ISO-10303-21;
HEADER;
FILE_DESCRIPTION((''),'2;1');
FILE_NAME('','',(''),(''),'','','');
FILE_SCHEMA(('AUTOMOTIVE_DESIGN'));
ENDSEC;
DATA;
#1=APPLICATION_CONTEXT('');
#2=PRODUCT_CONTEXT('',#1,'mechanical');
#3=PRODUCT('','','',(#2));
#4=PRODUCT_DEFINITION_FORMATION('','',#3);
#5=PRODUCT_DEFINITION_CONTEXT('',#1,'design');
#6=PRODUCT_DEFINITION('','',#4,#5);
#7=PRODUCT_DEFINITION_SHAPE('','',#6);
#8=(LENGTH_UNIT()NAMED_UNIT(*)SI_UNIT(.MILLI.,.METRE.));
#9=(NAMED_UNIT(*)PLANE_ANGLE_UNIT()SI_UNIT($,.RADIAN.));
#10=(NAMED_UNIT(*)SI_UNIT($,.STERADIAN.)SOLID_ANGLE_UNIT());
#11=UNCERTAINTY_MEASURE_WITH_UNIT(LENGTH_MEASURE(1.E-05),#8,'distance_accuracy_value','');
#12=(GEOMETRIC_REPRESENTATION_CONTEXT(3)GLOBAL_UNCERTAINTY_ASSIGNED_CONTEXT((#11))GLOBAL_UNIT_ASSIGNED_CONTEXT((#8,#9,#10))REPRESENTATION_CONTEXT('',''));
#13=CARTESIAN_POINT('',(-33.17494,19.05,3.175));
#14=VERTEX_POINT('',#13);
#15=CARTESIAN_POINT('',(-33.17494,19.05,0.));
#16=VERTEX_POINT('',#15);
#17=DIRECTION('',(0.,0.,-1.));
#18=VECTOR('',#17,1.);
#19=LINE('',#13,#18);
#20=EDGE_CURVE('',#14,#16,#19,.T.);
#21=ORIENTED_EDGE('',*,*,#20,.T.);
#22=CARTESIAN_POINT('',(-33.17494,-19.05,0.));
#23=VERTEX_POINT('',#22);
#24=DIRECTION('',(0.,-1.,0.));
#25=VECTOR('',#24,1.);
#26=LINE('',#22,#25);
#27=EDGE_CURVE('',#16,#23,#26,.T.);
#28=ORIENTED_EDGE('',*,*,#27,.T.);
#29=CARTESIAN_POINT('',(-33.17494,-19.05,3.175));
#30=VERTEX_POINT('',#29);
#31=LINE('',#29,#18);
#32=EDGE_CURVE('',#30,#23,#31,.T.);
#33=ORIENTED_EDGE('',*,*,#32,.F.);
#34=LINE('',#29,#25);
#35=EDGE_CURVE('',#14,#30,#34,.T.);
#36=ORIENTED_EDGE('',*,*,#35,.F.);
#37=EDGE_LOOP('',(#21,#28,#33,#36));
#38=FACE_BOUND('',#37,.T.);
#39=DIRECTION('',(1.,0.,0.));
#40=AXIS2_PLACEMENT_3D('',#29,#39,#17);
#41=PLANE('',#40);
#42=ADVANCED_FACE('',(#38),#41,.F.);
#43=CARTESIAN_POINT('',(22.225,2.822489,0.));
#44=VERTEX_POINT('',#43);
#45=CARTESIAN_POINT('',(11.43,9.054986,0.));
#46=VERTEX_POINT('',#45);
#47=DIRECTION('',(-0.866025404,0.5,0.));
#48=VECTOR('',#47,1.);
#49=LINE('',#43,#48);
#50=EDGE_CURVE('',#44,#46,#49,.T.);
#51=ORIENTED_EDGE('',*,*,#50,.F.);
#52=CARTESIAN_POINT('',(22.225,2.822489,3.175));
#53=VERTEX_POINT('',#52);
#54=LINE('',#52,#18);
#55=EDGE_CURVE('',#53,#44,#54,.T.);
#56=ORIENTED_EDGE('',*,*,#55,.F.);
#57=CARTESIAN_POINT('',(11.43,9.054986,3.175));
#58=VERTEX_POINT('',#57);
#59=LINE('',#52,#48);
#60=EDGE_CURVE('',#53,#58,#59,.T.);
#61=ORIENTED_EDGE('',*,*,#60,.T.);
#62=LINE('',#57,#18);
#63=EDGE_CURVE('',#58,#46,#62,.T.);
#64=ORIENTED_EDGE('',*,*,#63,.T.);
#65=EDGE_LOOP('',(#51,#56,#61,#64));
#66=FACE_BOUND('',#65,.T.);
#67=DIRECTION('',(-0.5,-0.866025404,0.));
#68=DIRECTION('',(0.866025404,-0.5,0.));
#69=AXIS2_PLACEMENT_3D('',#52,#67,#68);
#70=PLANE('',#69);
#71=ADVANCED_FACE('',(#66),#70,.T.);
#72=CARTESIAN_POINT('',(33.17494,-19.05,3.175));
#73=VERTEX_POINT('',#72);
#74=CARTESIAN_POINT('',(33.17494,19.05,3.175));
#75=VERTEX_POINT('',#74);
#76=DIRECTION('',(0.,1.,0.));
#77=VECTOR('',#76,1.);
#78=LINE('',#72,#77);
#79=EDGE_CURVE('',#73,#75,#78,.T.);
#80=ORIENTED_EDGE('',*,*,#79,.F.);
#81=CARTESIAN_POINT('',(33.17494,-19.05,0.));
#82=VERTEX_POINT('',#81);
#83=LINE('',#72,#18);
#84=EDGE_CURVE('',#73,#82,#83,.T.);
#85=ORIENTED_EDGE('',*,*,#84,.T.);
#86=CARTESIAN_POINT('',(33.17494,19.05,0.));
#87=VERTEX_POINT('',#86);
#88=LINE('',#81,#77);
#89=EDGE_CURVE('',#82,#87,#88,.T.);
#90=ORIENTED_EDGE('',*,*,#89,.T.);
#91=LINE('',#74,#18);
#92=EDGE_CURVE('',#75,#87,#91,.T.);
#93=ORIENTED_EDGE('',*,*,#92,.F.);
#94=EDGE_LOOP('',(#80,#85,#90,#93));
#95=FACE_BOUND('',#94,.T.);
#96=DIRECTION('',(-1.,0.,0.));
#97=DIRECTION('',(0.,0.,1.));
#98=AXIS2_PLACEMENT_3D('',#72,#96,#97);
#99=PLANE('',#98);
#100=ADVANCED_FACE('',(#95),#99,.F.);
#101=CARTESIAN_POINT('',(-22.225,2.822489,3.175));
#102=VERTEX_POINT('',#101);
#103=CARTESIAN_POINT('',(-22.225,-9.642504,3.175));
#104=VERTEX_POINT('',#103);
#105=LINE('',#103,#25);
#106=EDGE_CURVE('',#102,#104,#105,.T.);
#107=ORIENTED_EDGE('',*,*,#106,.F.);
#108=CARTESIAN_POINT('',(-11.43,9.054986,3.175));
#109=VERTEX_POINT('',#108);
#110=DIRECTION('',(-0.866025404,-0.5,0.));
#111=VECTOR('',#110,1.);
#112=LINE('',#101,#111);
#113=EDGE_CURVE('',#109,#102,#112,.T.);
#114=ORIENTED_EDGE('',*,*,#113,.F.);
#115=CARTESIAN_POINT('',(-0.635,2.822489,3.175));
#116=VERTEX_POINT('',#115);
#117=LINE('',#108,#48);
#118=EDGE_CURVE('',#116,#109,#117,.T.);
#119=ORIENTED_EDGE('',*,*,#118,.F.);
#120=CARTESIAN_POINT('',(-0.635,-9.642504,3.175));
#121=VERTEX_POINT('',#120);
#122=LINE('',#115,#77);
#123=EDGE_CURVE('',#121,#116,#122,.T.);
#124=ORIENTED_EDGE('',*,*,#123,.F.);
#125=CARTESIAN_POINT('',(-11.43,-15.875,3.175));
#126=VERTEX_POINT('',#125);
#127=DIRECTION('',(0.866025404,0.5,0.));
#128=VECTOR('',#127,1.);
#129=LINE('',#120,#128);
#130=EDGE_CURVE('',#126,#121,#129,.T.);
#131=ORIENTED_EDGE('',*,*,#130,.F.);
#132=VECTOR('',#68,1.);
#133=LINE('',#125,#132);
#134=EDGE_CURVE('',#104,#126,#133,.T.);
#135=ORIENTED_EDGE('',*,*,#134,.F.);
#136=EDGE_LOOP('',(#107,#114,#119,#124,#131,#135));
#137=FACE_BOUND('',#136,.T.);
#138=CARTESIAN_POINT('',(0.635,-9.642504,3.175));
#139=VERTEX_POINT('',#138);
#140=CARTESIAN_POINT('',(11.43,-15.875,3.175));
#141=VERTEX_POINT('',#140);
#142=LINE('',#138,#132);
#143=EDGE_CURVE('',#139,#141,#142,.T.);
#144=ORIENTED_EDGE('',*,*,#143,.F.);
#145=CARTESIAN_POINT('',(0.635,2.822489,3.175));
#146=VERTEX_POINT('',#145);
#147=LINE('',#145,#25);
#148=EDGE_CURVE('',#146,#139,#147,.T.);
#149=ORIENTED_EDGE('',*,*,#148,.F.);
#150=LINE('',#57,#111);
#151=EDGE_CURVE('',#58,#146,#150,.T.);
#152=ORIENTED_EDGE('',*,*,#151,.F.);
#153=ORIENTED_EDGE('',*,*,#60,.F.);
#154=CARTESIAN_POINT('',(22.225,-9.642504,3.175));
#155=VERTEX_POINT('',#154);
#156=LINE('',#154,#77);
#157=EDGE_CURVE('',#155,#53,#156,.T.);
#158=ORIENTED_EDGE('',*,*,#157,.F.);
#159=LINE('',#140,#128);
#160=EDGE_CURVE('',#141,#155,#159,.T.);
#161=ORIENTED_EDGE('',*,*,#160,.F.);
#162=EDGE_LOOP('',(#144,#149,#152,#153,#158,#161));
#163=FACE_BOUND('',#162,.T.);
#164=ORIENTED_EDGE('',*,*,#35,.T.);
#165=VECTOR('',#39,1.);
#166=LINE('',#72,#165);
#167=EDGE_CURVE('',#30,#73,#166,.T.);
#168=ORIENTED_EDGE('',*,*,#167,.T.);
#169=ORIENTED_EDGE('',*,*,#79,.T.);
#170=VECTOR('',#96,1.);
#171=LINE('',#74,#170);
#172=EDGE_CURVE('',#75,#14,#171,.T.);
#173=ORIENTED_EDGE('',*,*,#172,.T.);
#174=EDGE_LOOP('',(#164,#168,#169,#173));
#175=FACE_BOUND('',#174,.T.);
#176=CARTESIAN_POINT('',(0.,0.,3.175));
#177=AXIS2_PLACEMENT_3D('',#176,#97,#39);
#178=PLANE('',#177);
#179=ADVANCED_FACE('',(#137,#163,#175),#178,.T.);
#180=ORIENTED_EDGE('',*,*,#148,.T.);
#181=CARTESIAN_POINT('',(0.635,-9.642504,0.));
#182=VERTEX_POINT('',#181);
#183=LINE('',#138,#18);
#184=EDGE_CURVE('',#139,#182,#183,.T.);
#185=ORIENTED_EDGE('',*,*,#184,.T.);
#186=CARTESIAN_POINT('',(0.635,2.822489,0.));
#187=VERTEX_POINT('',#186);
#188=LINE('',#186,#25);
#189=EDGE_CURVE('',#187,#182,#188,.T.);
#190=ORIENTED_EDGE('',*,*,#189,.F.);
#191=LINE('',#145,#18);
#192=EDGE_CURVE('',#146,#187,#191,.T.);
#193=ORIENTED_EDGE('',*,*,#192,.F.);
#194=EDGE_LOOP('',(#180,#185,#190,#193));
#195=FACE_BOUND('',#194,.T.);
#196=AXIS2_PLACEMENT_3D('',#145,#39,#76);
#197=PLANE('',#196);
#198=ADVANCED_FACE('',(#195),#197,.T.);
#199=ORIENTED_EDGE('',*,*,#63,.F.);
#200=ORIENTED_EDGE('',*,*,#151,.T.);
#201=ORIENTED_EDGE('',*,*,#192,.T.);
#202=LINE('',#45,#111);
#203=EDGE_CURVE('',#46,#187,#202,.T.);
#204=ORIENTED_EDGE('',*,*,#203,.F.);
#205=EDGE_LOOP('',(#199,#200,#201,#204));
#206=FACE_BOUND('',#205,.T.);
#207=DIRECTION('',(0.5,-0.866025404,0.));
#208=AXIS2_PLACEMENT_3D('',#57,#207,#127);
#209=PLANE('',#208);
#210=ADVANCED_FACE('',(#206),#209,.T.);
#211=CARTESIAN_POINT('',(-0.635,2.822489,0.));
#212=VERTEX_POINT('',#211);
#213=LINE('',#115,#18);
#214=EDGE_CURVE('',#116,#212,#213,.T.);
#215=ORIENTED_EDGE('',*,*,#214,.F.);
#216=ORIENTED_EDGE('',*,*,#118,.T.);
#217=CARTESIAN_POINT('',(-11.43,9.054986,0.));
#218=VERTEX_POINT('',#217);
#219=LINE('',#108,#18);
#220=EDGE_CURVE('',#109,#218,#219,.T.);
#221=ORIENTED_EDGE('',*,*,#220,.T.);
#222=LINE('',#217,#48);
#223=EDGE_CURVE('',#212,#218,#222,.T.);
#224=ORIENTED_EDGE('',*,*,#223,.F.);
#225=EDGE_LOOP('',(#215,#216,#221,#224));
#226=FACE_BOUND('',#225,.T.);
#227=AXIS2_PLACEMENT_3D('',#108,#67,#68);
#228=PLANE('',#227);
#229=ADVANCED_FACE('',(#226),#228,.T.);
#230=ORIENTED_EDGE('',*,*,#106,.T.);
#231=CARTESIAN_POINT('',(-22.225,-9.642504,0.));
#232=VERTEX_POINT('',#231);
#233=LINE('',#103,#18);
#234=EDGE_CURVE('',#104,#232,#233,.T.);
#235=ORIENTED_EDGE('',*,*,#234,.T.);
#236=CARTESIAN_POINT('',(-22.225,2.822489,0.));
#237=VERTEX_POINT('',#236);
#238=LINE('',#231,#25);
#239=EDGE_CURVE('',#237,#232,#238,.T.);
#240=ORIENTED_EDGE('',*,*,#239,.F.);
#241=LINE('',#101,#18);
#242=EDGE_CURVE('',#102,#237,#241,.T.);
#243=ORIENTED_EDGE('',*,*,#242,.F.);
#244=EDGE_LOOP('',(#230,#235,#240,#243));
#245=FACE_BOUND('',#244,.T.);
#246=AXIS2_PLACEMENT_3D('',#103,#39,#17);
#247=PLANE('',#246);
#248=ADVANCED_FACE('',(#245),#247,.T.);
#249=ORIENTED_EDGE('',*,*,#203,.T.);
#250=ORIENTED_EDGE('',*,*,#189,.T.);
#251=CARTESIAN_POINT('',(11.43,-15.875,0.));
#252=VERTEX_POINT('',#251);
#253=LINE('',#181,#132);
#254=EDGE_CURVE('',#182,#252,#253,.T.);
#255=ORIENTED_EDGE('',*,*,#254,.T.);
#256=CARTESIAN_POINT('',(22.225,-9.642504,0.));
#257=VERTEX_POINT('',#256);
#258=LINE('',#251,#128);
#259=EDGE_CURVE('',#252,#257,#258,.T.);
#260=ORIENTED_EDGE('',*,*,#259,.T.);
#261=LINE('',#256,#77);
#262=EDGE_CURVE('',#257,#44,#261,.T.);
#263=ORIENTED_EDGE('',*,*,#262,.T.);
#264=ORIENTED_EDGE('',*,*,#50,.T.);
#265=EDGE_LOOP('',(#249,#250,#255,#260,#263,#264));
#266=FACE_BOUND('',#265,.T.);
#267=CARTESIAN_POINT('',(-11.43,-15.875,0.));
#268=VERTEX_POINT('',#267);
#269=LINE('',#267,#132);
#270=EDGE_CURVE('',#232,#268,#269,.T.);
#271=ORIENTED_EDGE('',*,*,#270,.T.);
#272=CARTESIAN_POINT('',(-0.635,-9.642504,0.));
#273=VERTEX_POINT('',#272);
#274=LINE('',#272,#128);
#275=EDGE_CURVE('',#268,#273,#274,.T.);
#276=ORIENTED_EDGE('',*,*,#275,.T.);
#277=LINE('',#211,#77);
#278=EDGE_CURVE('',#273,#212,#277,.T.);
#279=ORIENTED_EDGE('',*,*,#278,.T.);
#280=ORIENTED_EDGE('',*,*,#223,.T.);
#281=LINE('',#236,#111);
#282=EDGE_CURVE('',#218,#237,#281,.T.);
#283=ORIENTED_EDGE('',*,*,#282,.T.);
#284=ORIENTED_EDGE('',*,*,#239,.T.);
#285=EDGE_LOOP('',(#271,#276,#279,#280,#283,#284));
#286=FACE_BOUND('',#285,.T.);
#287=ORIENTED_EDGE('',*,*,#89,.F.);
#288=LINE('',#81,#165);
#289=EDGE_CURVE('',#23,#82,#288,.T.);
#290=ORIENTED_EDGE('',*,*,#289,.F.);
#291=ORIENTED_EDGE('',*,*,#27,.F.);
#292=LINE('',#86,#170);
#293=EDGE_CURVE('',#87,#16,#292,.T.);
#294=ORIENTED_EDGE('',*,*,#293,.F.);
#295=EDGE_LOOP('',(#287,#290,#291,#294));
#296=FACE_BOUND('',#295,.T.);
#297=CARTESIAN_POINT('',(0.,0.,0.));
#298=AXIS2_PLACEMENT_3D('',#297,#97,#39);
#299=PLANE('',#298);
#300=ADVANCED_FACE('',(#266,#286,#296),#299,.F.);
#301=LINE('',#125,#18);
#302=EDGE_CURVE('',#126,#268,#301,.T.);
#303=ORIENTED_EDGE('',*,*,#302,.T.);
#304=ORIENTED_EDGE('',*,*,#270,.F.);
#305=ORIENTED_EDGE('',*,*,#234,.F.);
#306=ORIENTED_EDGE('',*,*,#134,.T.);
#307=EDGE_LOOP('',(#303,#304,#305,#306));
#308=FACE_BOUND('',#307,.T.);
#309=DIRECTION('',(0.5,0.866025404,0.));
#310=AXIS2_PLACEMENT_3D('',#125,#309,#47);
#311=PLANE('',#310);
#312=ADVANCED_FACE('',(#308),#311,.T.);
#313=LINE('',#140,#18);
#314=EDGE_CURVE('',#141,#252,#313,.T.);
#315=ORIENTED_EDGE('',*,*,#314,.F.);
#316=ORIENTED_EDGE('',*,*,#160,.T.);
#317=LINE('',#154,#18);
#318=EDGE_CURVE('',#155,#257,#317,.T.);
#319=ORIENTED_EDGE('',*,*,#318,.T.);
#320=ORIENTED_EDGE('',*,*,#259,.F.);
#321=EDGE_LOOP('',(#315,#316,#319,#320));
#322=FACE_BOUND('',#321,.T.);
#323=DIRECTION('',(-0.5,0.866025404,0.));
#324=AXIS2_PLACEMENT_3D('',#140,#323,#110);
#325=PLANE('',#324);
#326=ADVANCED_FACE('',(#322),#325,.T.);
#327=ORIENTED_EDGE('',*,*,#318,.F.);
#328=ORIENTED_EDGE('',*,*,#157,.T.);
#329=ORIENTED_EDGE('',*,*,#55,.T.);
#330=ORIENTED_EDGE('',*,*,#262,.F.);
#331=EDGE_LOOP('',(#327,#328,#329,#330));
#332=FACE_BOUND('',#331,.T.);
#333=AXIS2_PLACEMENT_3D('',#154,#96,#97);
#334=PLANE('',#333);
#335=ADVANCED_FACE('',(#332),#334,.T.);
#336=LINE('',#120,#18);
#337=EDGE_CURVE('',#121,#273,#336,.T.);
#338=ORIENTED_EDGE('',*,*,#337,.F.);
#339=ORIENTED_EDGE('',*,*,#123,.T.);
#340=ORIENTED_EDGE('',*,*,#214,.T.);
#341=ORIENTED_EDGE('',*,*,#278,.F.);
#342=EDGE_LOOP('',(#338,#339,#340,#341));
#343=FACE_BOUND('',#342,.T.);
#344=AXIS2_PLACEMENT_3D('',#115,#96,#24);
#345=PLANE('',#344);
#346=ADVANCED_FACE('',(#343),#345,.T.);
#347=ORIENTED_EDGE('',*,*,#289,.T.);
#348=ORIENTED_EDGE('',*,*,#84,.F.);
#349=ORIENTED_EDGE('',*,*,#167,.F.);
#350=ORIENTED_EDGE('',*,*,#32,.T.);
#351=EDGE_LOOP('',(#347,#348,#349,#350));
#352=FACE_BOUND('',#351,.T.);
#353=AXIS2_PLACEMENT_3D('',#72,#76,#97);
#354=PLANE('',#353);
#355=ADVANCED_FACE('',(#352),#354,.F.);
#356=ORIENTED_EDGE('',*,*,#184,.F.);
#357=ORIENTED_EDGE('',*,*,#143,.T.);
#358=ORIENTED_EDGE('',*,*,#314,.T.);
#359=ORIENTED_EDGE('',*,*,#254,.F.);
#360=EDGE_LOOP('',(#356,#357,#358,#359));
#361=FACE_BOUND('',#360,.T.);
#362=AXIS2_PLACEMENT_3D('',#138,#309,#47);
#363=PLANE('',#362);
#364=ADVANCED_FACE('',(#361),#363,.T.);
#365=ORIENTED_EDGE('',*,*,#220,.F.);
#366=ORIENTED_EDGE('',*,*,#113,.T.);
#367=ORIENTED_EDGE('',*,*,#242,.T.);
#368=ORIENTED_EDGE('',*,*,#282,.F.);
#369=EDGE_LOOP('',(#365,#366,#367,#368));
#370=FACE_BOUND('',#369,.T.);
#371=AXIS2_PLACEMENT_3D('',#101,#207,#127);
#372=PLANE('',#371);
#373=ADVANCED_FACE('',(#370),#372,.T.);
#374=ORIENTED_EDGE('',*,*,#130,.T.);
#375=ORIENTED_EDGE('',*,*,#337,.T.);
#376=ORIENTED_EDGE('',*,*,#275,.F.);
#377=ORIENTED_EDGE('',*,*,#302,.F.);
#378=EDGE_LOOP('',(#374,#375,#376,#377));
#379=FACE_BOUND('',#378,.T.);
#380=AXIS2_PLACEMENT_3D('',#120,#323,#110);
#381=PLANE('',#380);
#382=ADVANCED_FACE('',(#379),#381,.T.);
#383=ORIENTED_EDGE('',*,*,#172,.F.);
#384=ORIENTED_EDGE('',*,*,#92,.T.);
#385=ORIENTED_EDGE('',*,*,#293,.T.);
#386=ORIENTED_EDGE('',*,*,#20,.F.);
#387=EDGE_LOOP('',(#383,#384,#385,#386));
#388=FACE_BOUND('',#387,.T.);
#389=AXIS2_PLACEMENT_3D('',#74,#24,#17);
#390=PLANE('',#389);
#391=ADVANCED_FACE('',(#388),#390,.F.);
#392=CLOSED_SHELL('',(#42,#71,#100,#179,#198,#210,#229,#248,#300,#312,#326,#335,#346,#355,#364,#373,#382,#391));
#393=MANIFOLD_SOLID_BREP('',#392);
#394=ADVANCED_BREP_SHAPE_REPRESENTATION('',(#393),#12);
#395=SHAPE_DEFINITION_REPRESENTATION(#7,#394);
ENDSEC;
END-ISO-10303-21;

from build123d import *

# Parameters (mm, degrees)
SKETCH1_W           = 66.34988
SKETCH1_H           = 38.1
BOSS_EXTRUDE1_DEPTH = 3.175


with BuildPart() as part:
    # Sketch1 → Boss-Extrude1 (new body)
    with BuildSketch(Plane.XY):
        Rectangle(SKETCH1_W, SKETCH1_H)
        Polygon((11.43, -15.875), (22.225000466, -9.642503575), (22.225000466, 2.822489275), (11.43, 9.0549857), (0.634999534, 2.822489275), (0.634999534, -9.642503575), align=None, mode=Mode.SUBTRACT)
        Polygon((-0.634999534, -9.642503575), (-11.43, -15.875), (-22.225000466, -9.642503575), (-22.225000466, 2.822489275), (-11.43, 9.0549857), (-0.634999534, 2.822489275), align=None, mode=Mode.SUBTRACT)
    extrude(amount=BOSS_EXTRUDE1_DEPTH)


solid = part.part
